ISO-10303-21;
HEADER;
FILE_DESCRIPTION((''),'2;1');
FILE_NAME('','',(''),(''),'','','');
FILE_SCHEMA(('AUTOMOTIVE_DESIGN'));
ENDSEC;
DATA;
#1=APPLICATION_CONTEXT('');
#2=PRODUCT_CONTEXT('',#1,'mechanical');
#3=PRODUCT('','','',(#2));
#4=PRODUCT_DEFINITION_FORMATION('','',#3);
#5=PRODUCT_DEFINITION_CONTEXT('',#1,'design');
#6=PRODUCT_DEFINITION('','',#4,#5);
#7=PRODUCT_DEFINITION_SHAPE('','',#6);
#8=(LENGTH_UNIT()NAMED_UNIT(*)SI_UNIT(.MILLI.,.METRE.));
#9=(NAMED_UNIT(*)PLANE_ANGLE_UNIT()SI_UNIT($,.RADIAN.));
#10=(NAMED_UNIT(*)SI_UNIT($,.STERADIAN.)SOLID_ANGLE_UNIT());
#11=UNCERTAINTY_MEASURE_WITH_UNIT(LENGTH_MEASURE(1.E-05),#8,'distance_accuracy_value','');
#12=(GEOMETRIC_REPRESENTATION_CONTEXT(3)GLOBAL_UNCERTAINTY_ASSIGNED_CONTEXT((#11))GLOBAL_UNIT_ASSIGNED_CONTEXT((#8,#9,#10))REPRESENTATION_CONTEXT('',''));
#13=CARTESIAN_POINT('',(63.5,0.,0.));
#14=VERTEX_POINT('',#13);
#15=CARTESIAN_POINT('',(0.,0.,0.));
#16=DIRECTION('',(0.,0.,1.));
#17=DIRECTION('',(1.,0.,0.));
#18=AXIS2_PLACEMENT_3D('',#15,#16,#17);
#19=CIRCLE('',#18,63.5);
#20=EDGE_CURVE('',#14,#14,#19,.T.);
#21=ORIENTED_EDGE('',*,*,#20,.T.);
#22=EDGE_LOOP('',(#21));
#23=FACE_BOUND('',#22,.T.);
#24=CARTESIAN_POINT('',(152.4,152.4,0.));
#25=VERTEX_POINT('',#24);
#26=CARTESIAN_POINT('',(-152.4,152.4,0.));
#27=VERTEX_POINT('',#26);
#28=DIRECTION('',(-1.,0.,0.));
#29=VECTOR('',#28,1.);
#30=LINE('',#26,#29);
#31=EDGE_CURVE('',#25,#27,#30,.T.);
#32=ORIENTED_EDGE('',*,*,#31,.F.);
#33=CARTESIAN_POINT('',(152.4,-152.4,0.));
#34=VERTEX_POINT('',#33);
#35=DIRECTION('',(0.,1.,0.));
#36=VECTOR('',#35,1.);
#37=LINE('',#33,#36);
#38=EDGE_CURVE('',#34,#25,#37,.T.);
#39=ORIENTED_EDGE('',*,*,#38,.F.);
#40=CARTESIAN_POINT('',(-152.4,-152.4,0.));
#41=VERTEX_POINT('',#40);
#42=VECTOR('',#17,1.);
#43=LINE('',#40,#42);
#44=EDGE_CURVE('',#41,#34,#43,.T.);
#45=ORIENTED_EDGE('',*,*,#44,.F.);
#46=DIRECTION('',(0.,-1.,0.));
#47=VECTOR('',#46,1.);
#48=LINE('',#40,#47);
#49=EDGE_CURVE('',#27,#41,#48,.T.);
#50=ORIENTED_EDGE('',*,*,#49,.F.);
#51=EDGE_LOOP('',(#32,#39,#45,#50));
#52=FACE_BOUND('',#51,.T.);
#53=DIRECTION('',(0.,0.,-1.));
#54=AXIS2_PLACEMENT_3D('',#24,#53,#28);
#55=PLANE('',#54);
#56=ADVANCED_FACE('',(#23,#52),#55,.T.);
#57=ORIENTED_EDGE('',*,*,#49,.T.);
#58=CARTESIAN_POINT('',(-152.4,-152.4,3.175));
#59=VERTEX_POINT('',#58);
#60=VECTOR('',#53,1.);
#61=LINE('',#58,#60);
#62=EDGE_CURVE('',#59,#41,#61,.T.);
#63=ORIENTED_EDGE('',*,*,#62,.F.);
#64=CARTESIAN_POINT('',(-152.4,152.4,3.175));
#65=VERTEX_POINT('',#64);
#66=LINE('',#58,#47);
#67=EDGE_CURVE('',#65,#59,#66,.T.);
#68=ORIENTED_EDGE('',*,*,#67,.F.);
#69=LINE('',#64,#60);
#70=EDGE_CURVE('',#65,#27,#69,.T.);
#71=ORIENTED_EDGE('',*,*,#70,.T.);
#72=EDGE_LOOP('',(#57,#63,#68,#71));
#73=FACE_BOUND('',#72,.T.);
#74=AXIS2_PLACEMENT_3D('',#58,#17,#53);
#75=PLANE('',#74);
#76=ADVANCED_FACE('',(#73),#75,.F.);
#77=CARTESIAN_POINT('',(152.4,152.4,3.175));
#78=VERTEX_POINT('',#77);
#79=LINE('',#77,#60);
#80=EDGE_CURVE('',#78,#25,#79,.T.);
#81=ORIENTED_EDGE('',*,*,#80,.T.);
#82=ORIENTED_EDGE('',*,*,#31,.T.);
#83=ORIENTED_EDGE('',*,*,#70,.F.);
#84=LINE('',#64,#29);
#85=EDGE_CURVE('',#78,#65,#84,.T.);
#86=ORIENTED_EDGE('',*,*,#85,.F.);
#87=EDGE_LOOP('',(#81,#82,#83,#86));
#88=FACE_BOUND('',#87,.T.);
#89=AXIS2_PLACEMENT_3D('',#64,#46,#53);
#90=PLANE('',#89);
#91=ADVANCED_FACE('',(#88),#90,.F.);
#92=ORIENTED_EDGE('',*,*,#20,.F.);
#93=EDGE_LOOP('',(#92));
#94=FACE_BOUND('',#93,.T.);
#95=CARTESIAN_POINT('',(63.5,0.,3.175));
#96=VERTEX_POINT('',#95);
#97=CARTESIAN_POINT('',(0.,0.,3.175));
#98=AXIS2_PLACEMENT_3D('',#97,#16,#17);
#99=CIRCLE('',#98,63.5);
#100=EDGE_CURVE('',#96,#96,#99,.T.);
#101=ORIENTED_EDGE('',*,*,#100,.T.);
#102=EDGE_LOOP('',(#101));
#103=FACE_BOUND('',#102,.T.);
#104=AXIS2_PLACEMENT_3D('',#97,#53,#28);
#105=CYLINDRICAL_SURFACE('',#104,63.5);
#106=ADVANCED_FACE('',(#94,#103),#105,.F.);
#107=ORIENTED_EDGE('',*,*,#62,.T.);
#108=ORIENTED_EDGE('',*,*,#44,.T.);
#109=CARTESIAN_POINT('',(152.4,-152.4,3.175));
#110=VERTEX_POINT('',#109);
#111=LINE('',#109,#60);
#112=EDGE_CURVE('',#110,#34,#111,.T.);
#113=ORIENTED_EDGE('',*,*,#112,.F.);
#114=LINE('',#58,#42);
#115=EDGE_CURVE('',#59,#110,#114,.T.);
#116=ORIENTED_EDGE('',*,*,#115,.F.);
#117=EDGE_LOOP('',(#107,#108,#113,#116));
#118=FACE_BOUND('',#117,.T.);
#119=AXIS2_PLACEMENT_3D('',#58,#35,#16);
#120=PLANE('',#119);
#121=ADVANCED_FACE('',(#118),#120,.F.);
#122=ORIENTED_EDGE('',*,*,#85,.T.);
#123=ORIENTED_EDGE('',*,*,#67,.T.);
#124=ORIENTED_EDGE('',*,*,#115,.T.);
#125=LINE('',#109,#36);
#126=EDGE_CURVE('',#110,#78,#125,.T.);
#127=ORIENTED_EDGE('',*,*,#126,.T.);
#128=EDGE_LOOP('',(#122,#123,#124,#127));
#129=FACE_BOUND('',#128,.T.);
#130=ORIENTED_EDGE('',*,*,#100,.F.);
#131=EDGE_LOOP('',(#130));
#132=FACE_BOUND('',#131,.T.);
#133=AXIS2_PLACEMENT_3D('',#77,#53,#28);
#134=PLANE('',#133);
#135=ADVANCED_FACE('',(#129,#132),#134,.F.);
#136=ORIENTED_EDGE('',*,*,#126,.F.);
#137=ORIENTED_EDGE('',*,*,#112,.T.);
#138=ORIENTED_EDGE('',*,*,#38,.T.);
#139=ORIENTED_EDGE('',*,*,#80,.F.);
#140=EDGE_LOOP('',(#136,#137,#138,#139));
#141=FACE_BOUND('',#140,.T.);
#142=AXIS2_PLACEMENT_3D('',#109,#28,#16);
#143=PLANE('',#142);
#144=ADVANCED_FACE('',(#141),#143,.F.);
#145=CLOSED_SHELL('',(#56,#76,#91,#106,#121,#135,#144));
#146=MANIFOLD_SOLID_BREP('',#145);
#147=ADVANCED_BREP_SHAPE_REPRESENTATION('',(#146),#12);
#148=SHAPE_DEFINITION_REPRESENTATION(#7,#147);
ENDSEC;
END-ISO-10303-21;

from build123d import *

# Parameters (mm, degrees)
SKETCH1_W           = 304.8
SKETCH1_H           = 304.8
SKETCH1_R           = 63.5
BOSS_EXTRUDE1_DEPTH = 3.175


with BuildPart() as part:
    # Sketch1 → Boss-Extrude1 (new body)
    with BuildSketch(Plane.XY):
        Rectangle(SKETCH1_W, SKETCH1_H)
        Circle(SKETCH1_R, mode=Mode.SUBTRACT)
    extrude(amount=BOSS_EXTRUDE1_DEPTH)


solid = part.part
